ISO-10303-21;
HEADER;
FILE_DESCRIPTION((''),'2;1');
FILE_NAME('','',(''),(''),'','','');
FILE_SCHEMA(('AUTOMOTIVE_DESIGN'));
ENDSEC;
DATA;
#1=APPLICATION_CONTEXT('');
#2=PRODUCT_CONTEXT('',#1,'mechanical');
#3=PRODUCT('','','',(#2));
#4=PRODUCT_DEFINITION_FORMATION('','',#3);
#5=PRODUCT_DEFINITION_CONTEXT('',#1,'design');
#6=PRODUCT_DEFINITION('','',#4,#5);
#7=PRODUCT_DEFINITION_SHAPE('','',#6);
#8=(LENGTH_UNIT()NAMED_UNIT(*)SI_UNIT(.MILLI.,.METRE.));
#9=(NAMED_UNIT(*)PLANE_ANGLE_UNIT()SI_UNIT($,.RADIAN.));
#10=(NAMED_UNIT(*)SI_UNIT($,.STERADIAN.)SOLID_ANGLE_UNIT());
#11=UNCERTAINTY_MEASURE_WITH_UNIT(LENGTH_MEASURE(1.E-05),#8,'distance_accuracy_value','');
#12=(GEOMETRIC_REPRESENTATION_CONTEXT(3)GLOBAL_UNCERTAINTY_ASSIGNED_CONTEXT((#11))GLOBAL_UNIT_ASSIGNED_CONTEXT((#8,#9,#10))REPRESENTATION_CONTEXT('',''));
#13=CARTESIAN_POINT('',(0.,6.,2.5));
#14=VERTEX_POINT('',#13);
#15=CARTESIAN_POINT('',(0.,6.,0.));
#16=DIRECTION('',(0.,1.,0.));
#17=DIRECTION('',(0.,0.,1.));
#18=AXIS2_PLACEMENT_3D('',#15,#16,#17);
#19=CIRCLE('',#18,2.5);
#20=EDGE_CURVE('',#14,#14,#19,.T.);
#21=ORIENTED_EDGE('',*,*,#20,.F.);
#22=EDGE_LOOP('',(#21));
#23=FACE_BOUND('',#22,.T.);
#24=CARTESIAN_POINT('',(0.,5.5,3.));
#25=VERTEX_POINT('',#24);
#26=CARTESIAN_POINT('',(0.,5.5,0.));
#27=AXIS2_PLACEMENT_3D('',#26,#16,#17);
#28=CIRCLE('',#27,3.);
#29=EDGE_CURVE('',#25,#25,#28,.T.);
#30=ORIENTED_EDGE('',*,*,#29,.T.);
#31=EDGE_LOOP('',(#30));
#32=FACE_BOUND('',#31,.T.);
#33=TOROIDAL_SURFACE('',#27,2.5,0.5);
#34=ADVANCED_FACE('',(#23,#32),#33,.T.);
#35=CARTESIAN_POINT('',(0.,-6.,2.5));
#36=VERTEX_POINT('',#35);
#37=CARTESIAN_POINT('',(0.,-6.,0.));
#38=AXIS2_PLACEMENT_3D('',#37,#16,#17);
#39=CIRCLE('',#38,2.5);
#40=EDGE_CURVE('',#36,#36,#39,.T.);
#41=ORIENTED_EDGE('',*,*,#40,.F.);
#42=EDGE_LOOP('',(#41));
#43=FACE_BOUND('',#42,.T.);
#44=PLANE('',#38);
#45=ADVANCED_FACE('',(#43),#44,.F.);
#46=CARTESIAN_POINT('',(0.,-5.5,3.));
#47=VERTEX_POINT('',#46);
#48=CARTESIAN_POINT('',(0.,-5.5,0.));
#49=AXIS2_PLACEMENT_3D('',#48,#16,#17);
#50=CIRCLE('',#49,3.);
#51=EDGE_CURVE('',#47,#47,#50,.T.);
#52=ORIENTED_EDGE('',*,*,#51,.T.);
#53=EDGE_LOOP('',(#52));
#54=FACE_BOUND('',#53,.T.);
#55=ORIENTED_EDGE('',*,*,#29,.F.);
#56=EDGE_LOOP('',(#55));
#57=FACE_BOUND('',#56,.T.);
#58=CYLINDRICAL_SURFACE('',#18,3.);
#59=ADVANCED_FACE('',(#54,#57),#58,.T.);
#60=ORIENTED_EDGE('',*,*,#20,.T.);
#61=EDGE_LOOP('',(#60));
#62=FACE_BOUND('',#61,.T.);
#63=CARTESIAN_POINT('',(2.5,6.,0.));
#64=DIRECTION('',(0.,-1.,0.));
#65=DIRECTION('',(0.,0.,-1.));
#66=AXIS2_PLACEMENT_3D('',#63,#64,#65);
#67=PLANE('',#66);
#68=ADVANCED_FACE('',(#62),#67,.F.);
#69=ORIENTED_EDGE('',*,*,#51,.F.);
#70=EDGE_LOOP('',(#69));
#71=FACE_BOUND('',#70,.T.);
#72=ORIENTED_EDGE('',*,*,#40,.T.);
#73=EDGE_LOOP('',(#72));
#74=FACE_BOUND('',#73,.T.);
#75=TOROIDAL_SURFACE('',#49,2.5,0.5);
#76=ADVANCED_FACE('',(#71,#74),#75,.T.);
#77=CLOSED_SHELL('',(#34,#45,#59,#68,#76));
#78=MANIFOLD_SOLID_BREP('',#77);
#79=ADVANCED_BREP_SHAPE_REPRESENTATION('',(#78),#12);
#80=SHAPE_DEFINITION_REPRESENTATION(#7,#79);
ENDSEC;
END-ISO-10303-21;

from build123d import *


with BuildPart() as part:
    # Sketch1 → Revolve1 (revolve)
    with BuildSketch(Plane.XY, mode=Mode.PRIVATE) as revolve1_sk:
        with BuildLine():
            Line((0, 6), (0, -6))
            Line((0, -6), (2.5, -6))
            ThreePointArc((2.5, -6), (2.853553391, -5.853553391), (3, -5.5))
            Line((3, -5.5), (3, 5.5))
            ThreePointArc((3, 5.5), (2.853553391, 5.853553391), (2.5, 6))
            Line((2.5, 6), (0, 6))
        make_face()
    revolve(revolve1_sk.sketch.rotate(Axis((0, 6, 0), (0, -1, 0)), 90), axis=Axis((0, 6, 0), (0, -1, 0)))


solid = part.part
